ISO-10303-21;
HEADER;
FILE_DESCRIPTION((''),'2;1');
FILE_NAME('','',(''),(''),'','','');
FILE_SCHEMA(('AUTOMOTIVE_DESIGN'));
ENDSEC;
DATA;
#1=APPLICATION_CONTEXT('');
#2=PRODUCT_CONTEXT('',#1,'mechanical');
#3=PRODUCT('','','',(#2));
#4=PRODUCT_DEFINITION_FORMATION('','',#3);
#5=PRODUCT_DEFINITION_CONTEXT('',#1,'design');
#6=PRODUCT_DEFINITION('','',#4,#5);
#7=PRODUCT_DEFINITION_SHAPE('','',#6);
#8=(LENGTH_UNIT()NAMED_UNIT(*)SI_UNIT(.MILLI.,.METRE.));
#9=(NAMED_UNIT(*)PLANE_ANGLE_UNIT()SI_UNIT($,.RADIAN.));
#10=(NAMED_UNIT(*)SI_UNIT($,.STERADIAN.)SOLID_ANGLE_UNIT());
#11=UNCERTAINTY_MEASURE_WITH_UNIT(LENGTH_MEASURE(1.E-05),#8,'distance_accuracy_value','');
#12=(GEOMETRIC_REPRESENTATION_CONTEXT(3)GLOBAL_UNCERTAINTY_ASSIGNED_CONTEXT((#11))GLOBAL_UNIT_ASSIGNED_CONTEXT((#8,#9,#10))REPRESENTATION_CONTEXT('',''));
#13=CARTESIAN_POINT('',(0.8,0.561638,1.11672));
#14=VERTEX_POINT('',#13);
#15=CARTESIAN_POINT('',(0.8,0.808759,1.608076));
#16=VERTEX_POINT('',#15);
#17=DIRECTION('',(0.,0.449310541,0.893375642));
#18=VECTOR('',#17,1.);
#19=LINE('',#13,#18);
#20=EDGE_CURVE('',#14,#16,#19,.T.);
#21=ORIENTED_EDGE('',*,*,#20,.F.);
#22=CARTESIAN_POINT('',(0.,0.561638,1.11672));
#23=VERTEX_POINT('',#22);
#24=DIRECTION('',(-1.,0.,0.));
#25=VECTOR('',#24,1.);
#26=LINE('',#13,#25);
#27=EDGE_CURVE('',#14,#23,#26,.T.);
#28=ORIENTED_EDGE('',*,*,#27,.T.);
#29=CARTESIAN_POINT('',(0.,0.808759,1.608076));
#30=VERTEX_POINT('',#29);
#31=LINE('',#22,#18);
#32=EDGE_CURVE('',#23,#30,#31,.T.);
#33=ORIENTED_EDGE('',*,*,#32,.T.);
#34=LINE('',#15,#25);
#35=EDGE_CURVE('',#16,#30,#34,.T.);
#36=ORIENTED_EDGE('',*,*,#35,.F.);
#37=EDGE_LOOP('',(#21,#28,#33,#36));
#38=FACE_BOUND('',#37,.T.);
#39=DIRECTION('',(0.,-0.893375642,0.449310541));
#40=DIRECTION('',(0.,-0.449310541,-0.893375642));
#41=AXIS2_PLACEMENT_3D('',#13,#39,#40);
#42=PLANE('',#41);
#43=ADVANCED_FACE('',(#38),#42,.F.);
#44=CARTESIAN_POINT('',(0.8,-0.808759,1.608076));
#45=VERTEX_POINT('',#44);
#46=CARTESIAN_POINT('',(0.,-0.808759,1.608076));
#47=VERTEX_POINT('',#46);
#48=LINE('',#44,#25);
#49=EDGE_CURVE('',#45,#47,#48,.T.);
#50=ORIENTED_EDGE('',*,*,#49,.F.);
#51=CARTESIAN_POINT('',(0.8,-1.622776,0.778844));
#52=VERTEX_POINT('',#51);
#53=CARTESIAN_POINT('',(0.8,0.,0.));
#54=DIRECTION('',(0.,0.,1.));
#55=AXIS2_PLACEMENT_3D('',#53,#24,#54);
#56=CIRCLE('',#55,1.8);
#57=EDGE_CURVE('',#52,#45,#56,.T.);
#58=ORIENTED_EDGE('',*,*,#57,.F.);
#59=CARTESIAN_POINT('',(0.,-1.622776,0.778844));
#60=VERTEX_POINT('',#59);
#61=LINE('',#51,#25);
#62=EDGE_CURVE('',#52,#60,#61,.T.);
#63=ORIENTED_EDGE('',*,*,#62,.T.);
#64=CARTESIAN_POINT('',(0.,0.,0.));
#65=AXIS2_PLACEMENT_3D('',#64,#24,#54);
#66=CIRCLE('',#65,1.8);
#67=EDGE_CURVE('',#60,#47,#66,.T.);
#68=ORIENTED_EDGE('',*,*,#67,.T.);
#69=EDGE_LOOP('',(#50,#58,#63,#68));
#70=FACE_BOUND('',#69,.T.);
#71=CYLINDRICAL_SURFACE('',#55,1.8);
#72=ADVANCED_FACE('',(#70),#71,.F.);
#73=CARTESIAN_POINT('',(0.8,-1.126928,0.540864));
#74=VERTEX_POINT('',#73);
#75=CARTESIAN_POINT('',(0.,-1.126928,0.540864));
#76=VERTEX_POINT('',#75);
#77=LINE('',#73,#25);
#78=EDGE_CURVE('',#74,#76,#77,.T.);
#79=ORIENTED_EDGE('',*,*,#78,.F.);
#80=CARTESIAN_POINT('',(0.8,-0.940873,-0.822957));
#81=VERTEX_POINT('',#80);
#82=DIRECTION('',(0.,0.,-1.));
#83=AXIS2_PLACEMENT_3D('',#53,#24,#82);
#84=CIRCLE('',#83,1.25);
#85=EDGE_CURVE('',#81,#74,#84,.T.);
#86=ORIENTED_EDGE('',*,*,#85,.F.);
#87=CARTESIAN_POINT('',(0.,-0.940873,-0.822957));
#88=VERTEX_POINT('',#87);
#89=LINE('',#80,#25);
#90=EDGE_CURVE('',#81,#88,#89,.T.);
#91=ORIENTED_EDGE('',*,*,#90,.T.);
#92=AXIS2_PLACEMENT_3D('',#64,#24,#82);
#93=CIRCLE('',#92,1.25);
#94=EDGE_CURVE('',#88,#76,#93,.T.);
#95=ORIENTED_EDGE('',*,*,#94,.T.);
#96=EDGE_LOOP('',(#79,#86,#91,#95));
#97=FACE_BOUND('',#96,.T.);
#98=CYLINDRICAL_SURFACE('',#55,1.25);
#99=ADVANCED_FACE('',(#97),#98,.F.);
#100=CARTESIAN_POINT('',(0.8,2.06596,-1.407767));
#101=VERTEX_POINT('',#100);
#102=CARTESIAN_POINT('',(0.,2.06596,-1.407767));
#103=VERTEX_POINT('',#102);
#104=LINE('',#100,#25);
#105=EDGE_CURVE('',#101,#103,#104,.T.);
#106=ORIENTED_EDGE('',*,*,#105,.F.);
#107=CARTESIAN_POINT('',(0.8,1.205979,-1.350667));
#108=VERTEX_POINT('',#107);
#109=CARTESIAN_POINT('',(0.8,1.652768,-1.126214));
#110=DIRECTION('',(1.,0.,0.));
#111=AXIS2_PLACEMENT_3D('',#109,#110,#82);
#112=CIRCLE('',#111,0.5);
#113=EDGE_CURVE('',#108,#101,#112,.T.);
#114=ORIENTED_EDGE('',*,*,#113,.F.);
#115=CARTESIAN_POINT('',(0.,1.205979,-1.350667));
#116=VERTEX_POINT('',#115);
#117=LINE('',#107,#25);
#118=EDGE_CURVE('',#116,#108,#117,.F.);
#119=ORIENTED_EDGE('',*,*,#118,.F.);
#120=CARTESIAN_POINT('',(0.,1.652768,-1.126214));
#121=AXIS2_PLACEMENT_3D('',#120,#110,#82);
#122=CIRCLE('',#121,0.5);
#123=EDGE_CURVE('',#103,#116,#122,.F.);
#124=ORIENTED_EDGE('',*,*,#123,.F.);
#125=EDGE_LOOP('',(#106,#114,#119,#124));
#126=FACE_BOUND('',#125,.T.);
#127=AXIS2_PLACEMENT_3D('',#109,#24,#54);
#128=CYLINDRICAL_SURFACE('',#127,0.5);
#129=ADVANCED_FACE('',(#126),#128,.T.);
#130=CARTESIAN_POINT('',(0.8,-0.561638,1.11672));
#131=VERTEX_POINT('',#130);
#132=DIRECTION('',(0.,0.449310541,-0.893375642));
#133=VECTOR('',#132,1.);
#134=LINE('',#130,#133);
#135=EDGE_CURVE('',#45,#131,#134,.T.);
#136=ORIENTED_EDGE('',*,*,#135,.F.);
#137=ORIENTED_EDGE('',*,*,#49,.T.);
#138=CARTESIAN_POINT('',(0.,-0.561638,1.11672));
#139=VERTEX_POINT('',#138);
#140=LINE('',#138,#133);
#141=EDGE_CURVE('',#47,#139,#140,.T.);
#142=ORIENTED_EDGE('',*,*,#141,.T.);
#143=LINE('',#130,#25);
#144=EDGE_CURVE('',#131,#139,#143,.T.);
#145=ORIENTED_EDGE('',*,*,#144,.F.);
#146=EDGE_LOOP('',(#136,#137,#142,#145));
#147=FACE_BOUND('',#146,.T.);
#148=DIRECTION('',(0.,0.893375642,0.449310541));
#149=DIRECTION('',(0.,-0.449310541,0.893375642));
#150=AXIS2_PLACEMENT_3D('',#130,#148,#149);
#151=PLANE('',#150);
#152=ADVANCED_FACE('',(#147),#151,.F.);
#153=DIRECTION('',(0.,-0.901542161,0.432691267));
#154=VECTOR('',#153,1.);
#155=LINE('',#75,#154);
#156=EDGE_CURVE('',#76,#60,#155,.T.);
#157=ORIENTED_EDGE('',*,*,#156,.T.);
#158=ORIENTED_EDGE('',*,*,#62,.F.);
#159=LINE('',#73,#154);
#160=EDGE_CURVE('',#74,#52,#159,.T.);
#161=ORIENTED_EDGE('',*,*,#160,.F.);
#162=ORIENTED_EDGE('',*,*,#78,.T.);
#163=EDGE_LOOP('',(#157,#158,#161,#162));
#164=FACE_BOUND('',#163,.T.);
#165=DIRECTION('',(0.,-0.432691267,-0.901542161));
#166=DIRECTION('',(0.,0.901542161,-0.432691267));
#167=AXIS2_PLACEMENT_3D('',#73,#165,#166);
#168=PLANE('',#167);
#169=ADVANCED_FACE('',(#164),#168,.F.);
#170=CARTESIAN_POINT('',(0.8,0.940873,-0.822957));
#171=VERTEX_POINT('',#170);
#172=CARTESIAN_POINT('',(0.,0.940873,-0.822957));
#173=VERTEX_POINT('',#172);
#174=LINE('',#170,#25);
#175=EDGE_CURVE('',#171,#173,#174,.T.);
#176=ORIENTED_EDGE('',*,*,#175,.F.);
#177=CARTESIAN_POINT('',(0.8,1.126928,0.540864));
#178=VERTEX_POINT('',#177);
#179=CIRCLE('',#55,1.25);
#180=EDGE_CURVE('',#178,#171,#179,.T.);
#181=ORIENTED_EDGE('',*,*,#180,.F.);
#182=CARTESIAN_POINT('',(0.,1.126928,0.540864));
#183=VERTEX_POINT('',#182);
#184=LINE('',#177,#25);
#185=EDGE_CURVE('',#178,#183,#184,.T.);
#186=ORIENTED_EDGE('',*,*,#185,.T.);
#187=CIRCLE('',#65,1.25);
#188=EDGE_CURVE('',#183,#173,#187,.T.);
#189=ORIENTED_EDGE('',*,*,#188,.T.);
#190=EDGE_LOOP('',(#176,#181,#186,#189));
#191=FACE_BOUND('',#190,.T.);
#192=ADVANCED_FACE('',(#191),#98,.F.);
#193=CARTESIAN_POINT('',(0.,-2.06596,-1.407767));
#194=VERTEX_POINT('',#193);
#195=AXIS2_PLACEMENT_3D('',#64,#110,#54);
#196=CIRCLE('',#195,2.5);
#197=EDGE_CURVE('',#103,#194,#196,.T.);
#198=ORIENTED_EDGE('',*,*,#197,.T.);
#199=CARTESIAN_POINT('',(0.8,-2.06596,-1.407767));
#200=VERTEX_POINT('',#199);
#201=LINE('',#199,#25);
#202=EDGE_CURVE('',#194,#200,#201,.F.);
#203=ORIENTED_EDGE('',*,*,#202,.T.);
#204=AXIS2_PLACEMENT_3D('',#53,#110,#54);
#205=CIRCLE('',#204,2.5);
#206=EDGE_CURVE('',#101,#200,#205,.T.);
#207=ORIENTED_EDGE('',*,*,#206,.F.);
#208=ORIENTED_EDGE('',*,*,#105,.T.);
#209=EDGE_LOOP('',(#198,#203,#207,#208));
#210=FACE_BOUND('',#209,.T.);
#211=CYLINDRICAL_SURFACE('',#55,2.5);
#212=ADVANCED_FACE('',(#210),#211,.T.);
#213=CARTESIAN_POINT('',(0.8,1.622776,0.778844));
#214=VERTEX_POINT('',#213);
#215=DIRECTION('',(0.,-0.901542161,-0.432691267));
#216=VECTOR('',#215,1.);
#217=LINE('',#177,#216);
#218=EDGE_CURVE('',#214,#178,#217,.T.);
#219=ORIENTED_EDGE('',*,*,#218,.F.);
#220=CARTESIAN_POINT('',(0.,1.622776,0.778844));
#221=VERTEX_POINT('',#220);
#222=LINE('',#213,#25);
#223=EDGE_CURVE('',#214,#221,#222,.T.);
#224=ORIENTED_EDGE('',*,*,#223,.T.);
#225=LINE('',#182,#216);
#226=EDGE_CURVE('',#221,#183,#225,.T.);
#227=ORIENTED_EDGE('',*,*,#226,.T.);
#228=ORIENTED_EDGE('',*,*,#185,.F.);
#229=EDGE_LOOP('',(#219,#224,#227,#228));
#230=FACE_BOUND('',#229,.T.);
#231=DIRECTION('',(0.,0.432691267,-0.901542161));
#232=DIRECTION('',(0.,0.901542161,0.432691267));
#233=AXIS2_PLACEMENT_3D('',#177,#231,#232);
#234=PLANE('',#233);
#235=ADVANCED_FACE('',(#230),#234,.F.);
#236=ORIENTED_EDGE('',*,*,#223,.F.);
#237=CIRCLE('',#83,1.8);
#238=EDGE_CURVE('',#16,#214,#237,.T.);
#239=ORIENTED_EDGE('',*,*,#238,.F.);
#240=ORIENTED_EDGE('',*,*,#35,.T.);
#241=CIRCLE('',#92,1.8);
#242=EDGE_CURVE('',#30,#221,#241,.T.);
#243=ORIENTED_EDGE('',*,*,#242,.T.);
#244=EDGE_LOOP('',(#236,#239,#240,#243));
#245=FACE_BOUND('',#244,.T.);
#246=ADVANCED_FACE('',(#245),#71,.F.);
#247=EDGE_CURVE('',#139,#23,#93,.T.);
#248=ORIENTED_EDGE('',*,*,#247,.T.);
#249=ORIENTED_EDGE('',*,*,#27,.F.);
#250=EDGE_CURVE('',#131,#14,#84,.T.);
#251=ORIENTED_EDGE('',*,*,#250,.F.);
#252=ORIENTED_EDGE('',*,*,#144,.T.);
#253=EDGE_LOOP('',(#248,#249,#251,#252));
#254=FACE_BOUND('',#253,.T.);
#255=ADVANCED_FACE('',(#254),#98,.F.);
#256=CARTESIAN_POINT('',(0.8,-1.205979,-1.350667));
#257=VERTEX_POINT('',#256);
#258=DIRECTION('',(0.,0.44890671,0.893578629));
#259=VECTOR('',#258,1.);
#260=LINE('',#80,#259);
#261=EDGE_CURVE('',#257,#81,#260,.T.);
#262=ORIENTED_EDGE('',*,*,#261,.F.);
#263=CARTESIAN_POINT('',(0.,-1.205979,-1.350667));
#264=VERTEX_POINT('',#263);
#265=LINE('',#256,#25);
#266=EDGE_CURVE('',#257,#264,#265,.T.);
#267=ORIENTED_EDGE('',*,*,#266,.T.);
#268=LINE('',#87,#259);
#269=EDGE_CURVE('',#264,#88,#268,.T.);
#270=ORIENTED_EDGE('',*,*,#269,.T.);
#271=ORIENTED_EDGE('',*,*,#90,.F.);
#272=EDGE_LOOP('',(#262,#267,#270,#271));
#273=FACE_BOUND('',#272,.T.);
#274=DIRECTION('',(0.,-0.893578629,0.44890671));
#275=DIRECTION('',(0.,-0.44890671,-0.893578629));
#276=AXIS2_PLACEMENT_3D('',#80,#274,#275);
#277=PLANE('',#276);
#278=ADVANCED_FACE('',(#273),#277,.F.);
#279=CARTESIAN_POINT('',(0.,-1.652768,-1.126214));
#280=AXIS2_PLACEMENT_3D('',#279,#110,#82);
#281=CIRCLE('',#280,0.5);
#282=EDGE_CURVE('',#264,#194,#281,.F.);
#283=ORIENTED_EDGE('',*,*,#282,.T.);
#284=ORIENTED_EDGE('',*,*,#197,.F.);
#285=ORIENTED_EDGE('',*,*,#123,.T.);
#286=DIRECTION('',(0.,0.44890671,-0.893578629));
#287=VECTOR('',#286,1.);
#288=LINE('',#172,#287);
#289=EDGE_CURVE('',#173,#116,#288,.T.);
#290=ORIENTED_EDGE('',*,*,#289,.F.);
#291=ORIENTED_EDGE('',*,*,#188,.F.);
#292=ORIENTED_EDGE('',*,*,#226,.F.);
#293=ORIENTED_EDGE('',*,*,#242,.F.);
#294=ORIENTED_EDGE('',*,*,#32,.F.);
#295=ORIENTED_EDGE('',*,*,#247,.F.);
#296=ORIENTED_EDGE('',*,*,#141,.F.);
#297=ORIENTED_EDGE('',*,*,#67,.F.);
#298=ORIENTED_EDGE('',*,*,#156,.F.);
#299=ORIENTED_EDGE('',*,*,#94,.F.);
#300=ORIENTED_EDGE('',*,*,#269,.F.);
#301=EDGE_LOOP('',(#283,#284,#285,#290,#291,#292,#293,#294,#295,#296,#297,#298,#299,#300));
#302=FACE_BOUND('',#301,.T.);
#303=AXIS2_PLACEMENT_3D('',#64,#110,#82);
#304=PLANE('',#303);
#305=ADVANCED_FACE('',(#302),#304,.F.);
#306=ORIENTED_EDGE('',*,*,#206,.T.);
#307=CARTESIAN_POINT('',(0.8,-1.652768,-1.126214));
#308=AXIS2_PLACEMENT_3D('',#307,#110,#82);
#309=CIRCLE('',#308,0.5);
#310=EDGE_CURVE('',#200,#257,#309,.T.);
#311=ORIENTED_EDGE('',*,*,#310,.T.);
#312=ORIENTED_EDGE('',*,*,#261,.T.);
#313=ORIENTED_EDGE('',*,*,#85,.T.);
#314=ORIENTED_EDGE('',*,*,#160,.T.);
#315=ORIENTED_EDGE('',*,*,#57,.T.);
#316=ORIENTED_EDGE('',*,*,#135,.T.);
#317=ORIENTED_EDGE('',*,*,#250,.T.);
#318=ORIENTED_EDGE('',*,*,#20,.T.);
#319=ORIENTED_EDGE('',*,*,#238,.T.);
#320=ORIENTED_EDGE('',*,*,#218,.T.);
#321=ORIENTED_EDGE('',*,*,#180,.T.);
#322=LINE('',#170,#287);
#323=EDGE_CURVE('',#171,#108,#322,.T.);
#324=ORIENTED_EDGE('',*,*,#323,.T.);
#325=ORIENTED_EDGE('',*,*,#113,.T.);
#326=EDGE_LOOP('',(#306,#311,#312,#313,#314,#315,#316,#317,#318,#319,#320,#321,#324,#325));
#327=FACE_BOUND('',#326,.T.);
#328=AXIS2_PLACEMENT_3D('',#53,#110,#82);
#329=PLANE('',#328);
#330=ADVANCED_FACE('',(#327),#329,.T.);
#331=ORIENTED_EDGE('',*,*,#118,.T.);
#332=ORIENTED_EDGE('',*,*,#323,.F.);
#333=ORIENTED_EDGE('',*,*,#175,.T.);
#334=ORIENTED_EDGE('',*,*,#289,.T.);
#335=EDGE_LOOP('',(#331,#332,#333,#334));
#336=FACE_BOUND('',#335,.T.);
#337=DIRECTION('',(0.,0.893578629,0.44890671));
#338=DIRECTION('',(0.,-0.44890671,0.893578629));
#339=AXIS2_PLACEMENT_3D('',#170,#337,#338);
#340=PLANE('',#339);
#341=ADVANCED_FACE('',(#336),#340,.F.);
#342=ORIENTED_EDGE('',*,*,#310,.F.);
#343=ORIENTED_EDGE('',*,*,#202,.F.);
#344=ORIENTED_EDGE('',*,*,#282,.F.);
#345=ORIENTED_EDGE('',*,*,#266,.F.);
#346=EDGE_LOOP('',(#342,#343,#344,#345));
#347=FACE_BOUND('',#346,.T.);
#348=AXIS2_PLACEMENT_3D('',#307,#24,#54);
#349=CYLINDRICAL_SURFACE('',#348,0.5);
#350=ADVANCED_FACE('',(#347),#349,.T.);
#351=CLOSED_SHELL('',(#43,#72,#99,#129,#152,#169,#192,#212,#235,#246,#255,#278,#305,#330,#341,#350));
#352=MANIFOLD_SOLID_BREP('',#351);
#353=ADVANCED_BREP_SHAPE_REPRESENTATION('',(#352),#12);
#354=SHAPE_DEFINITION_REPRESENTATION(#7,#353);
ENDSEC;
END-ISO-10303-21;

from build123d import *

# Parameters (mm, degrees)
EXTRUDE_1_DEPTH = 0.8
FILLET_1_R      = 0.5


with BuildPart() as part:
    # 草图1 → 凸台-拉伸1 (new body)
    with BuildSketch(Plane.YZ):
        with BuildLine():
            Line((-0.94087303, -0.822956828), (-1.523298061, -1.982312543))
            ThreePointArc((-1.523298061, -1.982312543), (0, 2.5), (1.523298061, -1.982312543))
            Line((1.523298061, -1.982312543), (0.94087303, -0.822956828))
            ThreePointArc((0.94087303, -0.822956828), (1.238528092, -0.16896202), (1.126927701, 0.540864084))
            Line((1.126927701, 0.540864084), (1.622775889, 0.778844281))
            ThreePointArc((1.622775889, 0.778844281), (1.284522021, 1.260953281), (0.808758974, 1.608076156))
            Line((0.808758974, 1.608076156), (0.561638176, 1.116719553))
            ThreePointArc((0.561638176, 1.116719553), (0, 1.25), (-0.561638176, 1.116719553))
            Line((-0.561638176, 1.116719553), (-0.808758974, 1.608076156))
            ThreePointArc((-0.808758974, 1.608076156), (-1.284522021, 1.260953281), (-1.622775889, 0.778844281))
            Line((-1.622775889, 0.778844281), (-1.126927701, 0.540864084))
            ThreePointArc((-1.126927701, 0.540864084), (-1.238528092, -0.16896202), (-0.94087303, -0.822956828))
        make_face()
    extrude(amount=EXTRUDE_1_DEPTH)

    # 圆角1
    fillet_1_edges = [part.edges().sort_by_distance(p)[0] for p in [
        (0.4, -1.523298061, -1.982312543),
        (0.4, 1.523298061, -1.982312543),
    ]]
    fillet(fillet_1_edges, radius=FILLET_1_R)


solid = part.part
